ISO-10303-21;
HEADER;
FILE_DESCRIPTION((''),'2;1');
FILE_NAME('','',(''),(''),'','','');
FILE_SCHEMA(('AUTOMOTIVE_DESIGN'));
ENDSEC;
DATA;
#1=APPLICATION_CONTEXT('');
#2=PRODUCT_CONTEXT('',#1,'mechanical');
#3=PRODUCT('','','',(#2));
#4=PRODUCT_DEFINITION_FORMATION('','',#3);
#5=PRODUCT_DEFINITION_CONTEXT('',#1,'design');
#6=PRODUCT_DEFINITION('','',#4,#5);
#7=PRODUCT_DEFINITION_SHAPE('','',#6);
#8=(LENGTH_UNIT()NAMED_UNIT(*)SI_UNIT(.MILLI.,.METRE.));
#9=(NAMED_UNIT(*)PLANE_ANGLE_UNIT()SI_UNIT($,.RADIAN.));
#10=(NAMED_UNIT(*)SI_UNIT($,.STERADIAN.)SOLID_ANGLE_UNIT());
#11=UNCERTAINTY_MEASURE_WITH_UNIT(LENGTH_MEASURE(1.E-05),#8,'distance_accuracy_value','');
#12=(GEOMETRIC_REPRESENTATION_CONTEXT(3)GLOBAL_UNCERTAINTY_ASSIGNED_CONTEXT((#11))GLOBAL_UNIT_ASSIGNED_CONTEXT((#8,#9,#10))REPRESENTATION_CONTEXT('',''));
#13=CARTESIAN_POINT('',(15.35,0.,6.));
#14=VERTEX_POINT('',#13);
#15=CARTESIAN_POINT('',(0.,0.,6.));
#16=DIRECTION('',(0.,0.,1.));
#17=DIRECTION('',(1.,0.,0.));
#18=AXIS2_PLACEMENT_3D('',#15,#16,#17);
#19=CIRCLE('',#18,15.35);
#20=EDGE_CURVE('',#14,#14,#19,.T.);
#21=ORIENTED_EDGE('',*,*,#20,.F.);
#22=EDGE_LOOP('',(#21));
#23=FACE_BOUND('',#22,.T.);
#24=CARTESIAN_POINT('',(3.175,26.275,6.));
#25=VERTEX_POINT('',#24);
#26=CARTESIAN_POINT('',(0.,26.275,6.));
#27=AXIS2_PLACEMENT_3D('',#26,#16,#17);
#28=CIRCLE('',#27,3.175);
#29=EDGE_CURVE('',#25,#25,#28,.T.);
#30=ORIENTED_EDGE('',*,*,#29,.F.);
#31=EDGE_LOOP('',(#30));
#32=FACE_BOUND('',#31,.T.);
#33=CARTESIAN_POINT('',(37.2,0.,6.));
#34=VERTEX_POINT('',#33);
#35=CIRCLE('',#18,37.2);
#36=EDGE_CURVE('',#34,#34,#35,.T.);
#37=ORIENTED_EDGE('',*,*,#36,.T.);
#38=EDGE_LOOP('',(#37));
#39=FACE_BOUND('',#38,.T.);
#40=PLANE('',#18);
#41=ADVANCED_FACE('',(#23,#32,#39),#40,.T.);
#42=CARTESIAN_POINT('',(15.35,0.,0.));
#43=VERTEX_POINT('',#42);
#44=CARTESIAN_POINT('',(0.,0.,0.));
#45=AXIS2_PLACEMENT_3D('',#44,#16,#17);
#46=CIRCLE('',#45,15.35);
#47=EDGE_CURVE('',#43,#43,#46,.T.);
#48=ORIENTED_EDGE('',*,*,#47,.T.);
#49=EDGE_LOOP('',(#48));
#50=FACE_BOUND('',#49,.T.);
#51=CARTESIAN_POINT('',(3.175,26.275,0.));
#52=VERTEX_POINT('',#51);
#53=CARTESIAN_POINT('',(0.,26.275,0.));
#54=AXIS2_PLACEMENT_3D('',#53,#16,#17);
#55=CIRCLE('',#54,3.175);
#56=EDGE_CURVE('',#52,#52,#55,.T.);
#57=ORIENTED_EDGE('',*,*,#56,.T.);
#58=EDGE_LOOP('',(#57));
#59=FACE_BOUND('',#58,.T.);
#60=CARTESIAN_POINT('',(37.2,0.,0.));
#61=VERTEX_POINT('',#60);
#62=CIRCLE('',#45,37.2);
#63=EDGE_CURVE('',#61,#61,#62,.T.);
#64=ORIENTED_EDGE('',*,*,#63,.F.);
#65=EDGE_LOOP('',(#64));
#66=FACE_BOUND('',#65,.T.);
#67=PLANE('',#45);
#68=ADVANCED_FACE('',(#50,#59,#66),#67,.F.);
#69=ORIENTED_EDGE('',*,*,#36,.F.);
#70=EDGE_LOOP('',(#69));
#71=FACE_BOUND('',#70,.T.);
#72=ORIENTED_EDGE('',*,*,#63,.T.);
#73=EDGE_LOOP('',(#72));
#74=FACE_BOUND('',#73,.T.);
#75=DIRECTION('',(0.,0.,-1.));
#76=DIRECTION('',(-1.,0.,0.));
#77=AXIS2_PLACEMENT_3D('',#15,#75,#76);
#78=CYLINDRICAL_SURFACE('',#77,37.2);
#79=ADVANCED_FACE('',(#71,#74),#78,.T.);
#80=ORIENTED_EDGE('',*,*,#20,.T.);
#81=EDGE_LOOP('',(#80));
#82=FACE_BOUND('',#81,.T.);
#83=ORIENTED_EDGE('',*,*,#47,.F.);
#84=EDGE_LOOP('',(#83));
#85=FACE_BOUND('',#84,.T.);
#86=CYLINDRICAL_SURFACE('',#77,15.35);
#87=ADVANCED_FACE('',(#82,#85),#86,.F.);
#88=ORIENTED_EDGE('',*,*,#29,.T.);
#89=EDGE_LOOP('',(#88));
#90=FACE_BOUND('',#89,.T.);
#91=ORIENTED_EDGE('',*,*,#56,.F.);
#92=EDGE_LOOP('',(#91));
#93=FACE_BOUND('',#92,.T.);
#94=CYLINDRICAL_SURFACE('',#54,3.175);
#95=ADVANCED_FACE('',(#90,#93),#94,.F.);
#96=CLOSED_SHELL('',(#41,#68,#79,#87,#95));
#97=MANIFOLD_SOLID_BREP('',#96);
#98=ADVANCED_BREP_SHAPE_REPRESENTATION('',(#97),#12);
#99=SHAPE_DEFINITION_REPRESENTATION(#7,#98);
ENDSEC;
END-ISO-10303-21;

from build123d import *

# Parameters (mm, degrees)
SKETCH1_R           = 37.2
SKETCH1_R_2         = 15.35
BOSS_EXTRUDE1_DEPTH = 6
SKETCH2_R           = 3.175
CUT_EXTRUDE1_DEPTH  = 6


with BuildPart() as part:
    # Sketch1 → Boss-Extrude1 (new body)
    with BuildSketch(Plane.XY):
        Circle(SKETCH1_R)
        Circle(SKETCH1_R_2, mode=Mode.SUBTRACT)
    extrude(amount=BOSS_EXTRUDE1_DEPTH)

    # Sketch2 → Cut-Extrude1 (cut)
    with BuildSketch(Plane.XY.offset(6)):
        with Locations((0, 26.275)):
            Circle(SKETCH2_R)
    extrude(amount=-CUT_EXTRUDE1_DEPTH, mode=Mode.SUBTRACT)


solid = part.part
